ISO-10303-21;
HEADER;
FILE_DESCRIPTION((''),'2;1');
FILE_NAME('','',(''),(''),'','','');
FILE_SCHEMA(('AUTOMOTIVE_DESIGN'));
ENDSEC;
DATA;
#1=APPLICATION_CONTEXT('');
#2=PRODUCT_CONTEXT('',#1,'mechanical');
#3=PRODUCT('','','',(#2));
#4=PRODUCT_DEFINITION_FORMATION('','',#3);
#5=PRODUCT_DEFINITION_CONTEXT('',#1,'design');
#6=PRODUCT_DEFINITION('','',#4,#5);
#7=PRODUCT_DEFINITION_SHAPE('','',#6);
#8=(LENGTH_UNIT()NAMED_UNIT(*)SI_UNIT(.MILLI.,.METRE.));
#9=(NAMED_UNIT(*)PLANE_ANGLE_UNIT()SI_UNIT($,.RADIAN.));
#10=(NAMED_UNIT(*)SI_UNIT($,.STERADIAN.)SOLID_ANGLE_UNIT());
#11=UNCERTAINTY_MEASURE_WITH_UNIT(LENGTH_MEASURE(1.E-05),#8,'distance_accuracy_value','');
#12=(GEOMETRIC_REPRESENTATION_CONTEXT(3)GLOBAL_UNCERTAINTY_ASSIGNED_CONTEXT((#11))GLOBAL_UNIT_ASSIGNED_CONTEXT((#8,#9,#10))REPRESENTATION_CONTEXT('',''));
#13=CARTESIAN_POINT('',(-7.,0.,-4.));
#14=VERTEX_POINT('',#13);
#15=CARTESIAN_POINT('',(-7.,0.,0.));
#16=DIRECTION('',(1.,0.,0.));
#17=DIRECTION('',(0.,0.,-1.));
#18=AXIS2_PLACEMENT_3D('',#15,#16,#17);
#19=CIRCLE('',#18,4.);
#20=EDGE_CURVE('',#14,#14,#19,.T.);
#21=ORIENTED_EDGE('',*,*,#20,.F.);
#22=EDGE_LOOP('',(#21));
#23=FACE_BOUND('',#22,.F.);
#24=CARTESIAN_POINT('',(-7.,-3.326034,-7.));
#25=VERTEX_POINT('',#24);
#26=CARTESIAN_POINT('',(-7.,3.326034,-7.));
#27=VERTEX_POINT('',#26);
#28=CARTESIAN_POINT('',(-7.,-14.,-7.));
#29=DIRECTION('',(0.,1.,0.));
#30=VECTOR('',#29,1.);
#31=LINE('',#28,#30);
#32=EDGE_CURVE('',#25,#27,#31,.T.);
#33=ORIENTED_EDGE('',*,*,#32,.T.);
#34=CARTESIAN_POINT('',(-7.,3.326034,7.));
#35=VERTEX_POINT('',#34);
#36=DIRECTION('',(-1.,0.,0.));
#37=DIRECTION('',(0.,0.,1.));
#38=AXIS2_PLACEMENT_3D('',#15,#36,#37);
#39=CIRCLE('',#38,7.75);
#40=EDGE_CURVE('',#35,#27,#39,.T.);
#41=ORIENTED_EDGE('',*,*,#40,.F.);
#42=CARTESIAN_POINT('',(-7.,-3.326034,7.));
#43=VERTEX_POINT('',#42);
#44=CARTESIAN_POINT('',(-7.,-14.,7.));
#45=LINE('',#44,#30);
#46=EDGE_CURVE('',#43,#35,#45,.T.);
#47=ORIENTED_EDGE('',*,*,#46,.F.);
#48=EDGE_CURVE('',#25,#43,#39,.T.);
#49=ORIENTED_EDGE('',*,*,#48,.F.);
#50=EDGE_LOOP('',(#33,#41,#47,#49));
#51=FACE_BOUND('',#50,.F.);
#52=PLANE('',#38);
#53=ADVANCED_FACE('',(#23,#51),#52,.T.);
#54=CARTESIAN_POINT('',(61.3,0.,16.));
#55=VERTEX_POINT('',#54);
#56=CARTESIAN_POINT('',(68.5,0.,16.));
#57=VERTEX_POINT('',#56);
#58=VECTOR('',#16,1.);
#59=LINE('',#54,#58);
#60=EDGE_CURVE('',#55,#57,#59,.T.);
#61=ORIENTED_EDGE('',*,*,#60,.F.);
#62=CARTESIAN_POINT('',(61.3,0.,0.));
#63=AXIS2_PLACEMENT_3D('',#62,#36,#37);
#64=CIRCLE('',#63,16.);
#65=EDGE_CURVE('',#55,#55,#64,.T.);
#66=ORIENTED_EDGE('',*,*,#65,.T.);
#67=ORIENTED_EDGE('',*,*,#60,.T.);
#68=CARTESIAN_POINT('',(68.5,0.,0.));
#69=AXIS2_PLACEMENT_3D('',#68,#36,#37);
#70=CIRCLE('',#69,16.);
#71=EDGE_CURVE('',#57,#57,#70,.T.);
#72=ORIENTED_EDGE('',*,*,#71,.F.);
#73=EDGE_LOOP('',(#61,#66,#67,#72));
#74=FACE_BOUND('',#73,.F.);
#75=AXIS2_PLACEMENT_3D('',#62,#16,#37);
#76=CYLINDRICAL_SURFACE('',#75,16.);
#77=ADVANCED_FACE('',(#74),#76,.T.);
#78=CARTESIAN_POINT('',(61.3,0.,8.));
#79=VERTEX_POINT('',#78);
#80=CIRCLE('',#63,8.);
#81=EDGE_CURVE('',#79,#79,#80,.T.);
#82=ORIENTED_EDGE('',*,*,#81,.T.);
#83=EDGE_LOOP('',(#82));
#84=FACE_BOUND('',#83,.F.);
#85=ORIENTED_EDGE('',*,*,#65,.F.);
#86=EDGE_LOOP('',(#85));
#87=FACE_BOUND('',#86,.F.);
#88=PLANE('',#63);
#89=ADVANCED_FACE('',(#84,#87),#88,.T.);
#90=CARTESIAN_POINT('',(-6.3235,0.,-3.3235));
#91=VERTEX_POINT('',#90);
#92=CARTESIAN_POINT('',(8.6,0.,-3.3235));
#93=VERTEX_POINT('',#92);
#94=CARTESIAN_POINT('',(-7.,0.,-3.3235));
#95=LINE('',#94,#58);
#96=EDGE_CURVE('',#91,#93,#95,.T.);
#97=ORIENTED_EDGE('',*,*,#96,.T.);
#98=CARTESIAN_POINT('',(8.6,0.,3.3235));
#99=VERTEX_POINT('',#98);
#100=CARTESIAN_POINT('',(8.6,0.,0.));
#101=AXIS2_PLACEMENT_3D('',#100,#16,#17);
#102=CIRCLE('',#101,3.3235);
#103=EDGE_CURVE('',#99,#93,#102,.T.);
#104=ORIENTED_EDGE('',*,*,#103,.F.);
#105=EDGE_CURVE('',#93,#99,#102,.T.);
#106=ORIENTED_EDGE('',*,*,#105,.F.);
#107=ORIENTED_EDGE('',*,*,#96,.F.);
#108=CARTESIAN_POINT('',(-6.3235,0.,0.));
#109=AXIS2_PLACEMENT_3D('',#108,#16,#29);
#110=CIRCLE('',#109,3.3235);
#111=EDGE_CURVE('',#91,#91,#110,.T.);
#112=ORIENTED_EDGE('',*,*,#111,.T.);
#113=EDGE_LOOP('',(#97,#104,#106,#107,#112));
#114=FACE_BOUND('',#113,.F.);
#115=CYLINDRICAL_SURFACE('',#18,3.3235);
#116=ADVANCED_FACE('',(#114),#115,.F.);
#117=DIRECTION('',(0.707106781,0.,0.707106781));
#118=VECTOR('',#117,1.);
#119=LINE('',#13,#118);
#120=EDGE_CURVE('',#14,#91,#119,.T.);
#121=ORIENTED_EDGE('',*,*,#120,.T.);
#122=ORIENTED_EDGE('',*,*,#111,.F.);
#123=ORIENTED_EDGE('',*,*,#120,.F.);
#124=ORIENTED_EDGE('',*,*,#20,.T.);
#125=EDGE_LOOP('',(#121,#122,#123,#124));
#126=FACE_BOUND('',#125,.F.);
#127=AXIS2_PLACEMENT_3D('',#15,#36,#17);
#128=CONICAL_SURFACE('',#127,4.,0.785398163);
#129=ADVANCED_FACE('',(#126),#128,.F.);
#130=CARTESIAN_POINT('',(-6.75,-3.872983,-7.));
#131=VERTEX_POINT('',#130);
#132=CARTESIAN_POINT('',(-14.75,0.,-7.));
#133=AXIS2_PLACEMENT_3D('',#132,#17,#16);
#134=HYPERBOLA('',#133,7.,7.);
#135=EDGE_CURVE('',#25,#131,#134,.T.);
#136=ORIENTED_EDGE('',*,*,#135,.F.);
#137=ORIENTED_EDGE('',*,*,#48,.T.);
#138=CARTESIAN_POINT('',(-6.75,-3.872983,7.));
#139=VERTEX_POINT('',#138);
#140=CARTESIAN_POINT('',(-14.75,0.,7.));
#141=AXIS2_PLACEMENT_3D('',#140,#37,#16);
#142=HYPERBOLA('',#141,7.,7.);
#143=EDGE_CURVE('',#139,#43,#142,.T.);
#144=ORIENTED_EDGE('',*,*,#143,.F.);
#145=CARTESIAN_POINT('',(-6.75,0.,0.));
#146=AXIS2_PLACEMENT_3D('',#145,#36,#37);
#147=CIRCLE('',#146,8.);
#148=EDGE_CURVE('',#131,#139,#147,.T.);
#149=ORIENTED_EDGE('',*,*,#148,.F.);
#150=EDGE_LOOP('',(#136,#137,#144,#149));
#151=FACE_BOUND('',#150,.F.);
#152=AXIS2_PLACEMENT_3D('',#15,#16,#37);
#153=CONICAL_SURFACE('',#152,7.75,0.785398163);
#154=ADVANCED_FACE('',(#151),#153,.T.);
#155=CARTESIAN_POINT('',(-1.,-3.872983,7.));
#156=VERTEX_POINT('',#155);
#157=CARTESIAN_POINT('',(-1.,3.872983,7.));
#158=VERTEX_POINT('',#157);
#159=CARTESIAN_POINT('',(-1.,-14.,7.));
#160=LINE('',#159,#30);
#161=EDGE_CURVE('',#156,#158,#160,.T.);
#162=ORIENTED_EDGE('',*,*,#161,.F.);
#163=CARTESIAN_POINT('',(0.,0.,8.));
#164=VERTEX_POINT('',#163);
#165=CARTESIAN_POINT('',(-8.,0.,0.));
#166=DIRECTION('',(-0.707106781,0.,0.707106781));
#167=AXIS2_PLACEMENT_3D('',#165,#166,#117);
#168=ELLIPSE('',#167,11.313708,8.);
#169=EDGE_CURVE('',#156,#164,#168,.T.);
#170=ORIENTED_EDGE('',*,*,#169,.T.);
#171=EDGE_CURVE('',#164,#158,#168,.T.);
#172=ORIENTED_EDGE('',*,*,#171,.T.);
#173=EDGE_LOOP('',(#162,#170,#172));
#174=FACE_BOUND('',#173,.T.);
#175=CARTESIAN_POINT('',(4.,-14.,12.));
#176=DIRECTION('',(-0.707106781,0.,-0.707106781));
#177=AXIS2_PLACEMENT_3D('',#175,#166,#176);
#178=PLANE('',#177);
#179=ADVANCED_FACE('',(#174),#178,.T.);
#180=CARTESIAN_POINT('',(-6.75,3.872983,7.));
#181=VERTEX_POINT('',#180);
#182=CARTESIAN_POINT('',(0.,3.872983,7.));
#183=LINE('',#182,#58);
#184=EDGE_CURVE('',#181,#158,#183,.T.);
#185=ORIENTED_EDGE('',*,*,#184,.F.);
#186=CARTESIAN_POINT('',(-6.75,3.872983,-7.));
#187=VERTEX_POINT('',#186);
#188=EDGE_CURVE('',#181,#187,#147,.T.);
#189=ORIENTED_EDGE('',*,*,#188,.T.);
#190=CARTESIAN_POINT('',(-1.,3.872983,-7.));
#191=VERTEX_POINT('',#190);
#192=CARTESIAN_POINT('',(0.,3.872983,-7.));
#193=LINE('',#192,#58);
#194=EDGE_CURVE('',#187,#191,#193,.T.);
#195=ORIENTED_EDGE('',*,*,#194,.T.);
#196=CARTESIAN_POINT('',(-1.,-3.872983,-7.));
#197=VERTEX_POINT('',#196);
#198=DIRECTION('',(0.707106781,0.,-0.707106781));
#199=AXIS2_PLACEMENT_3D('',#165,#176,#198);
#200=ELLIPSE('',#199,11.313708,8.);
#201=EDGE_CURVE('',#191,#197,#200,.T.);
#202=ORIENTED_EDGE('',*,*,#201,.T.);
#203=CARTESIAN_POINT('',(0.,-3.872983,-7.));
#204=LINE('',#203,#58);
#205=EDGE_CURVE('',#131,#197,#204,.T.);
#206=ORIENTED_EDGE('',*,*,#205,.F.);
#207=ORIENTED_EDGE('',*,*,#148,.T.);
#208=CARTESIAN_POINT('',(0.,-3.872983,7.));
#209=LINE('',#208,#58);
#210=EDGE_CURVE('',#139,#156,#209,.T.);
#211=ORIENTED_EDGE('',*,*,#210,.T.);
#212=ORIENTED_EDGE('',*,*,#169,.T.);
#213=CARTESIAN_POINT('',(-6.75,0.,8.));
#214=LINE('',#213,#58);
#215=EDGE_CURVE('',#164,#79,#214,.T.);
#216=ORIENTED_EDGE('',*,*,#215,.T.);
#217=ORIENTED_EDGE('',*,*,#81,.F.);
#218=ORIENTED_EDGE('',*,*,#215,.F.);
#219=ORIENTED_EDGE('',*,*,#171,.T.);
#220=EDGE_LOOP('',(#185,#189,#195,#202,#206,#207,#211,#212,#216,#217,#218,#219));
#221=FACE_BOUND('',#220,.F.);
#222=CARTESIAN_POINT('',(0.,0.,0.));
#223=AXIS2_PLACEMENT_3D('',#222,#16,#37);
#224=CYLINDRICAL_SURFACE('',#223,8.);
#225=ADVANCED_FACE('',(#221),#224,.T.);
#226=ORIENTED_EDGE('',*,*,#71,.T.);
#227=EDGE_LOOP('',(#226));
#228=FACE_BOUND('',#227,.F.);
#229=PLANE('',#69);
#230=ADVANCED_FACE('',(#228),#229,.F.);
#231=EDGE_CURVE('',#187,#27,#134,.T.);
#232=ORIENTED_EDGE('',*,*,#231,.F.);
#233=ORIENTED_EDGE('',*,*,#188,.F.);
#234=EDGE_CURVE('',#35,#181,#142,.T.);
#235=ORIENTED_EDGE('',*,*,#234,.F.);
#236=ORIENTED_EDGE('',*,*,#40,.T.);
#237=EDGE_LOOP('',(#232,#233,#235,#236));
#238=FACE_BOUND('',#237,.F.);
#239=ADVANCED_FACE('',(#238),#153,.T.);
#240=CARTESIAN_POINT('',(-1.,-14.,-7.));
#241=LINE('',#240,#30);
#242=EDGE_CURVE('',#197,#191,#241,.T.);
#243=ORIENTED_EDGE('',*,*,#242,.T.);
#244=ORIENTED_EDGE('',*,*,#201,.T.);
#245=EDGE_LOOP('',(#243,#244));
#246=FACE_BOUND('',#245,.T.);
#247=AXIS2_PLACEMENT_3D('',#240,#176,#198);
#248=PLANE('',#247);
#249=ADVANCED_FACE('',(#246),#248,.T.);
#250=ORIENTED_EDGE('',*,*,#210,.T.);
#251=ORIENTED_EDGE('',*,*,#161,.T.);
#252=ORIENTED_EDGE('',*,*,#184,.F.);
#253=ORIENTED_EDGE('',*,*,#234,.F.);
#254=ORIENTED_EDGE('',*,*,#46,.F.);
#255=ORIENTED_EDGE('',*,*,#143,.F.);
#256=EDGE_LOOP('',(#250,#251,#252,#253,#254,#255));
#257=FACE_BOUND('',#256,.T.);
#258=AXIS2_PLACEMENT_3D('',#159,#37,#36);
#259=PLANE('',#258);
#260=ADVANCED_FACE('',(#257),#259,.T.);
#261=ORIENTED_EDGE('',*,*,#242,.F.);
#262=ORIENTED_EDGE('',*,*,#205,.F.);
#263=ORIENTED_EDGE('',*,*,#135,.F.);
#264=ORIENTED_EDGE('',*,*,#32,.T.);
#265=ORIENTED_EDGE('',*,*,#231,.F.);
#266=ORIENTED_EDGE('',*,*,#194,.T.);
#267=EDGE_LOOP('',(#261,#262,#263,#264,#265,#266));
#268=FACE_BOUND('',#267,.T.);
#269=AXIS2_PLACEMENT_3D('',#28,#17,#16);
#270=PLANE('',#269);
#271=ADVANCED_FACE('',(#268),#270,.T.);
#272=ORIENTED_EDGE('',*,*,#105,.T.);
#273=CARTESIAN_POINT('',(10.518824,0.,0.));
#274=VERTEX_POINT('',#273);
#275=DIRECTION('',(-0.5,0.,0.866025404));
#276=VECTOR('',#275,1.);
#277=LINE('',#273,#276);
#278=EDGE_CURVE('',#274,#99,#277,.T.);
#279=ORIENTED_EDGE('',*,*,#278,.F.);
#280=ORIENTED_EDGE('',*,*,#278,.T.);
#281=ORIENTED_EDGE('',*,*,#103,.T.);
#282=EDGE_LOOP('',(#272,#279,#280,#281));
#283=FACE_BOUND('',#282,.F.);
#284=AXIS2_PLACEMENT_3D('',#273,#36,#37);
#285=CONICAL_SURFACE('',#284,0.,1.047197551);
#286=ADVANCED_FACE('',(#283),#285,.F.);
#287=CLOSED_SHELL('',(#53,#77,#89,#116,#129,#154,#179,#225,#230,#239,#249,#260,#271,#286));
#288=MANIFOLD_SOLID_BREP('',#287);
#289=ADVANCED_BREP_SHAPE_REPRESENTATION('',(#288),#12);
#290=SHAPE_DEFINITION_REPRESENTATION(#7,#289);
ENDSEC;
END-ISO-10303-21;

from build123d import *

# Parameters (mm, degrees)
CUT_EXTRUDE_1_DEPTH       = 14
CUT_EXTRUDE_1_DEPTH_BACK  = 14
HOLE_WIZARD_1_D           = 6.647
HOLE_WIZARD_1_DEPTH       = 15.6
HOLE_WIZARD_1_CSINK_D     = 8
HOLE_WIZARD_1_CSINK_ANGLE = 90
HOLE_WIZARD_1_TIP         = 1.91882362


with BuildPart() as part:
    # 草图1 → 旋转1 (revolve)
    with BuildSketch(Plane.XY):
        Polygon((-7, 0), (-7, 7.75), (-6.75, 8), (0, 8), (0, 0), align=None)
    revolve(axis=Axis((0, 0, 0), (-1, 0, 0)))

    # 草图2 → 旋转2 (revolve)
    with BuildSketch(Plane.XY):
        Polygon((0, 0), (0, 8), (61.3, 8), (61.3, 16), (68.5, 16), (68.5, 0), align=None)
    revolve(axis=Axis((68.5, 0, 0), (-1, 0, 0)))

    # 草图3 → 切除-拉伸1 (cut, two sides: drawn at the far end of the back side and taken through both)
    with BuildSketch(Plane(origin=(0, 0, 0), x_dir=(1, 0, 0), z_dir=(0, 1, 0)).offset(-CUT_EXTRUDE_1_DEPTH_BACK)):
        Polygon((-17, -12), (4, -12), (-1, -7), (-7, -7), (-7, 7), (-1, 7), (4, 12), (-17, 12), align=None)
    extrude(amount=CUT_EXTRUDE_1_DEPTH + CUT_EXTRUDE_1_DEPTH_BACK, mode=Mode.SUBTRACT)

    # 孔1
    with Locations(Plane.ZY.offset(7)):
        with Locations((0, 0)):
            CounterSinkHole(HOLE_WIZARD_1_D / 2, HOLE_WIZARD_1_CSINK_D / 2, depth=HOLE_WIZARD_1_DEPTH, counter_sink_angle=HOLE_WIZARD_1_CSINK_ANGLE)
            with Locations((0, 0, -(HOLE_WIZARD_1_DEPTH + HOLE_WIZARD_1_TIP / 2))):  # 120° drill point
                Cone(0, HOLE_WIZARD_1_D / 2, HOLE_WIZARD_1_TIP, mode=Mode.SUBTRACT)


solid = part.part
